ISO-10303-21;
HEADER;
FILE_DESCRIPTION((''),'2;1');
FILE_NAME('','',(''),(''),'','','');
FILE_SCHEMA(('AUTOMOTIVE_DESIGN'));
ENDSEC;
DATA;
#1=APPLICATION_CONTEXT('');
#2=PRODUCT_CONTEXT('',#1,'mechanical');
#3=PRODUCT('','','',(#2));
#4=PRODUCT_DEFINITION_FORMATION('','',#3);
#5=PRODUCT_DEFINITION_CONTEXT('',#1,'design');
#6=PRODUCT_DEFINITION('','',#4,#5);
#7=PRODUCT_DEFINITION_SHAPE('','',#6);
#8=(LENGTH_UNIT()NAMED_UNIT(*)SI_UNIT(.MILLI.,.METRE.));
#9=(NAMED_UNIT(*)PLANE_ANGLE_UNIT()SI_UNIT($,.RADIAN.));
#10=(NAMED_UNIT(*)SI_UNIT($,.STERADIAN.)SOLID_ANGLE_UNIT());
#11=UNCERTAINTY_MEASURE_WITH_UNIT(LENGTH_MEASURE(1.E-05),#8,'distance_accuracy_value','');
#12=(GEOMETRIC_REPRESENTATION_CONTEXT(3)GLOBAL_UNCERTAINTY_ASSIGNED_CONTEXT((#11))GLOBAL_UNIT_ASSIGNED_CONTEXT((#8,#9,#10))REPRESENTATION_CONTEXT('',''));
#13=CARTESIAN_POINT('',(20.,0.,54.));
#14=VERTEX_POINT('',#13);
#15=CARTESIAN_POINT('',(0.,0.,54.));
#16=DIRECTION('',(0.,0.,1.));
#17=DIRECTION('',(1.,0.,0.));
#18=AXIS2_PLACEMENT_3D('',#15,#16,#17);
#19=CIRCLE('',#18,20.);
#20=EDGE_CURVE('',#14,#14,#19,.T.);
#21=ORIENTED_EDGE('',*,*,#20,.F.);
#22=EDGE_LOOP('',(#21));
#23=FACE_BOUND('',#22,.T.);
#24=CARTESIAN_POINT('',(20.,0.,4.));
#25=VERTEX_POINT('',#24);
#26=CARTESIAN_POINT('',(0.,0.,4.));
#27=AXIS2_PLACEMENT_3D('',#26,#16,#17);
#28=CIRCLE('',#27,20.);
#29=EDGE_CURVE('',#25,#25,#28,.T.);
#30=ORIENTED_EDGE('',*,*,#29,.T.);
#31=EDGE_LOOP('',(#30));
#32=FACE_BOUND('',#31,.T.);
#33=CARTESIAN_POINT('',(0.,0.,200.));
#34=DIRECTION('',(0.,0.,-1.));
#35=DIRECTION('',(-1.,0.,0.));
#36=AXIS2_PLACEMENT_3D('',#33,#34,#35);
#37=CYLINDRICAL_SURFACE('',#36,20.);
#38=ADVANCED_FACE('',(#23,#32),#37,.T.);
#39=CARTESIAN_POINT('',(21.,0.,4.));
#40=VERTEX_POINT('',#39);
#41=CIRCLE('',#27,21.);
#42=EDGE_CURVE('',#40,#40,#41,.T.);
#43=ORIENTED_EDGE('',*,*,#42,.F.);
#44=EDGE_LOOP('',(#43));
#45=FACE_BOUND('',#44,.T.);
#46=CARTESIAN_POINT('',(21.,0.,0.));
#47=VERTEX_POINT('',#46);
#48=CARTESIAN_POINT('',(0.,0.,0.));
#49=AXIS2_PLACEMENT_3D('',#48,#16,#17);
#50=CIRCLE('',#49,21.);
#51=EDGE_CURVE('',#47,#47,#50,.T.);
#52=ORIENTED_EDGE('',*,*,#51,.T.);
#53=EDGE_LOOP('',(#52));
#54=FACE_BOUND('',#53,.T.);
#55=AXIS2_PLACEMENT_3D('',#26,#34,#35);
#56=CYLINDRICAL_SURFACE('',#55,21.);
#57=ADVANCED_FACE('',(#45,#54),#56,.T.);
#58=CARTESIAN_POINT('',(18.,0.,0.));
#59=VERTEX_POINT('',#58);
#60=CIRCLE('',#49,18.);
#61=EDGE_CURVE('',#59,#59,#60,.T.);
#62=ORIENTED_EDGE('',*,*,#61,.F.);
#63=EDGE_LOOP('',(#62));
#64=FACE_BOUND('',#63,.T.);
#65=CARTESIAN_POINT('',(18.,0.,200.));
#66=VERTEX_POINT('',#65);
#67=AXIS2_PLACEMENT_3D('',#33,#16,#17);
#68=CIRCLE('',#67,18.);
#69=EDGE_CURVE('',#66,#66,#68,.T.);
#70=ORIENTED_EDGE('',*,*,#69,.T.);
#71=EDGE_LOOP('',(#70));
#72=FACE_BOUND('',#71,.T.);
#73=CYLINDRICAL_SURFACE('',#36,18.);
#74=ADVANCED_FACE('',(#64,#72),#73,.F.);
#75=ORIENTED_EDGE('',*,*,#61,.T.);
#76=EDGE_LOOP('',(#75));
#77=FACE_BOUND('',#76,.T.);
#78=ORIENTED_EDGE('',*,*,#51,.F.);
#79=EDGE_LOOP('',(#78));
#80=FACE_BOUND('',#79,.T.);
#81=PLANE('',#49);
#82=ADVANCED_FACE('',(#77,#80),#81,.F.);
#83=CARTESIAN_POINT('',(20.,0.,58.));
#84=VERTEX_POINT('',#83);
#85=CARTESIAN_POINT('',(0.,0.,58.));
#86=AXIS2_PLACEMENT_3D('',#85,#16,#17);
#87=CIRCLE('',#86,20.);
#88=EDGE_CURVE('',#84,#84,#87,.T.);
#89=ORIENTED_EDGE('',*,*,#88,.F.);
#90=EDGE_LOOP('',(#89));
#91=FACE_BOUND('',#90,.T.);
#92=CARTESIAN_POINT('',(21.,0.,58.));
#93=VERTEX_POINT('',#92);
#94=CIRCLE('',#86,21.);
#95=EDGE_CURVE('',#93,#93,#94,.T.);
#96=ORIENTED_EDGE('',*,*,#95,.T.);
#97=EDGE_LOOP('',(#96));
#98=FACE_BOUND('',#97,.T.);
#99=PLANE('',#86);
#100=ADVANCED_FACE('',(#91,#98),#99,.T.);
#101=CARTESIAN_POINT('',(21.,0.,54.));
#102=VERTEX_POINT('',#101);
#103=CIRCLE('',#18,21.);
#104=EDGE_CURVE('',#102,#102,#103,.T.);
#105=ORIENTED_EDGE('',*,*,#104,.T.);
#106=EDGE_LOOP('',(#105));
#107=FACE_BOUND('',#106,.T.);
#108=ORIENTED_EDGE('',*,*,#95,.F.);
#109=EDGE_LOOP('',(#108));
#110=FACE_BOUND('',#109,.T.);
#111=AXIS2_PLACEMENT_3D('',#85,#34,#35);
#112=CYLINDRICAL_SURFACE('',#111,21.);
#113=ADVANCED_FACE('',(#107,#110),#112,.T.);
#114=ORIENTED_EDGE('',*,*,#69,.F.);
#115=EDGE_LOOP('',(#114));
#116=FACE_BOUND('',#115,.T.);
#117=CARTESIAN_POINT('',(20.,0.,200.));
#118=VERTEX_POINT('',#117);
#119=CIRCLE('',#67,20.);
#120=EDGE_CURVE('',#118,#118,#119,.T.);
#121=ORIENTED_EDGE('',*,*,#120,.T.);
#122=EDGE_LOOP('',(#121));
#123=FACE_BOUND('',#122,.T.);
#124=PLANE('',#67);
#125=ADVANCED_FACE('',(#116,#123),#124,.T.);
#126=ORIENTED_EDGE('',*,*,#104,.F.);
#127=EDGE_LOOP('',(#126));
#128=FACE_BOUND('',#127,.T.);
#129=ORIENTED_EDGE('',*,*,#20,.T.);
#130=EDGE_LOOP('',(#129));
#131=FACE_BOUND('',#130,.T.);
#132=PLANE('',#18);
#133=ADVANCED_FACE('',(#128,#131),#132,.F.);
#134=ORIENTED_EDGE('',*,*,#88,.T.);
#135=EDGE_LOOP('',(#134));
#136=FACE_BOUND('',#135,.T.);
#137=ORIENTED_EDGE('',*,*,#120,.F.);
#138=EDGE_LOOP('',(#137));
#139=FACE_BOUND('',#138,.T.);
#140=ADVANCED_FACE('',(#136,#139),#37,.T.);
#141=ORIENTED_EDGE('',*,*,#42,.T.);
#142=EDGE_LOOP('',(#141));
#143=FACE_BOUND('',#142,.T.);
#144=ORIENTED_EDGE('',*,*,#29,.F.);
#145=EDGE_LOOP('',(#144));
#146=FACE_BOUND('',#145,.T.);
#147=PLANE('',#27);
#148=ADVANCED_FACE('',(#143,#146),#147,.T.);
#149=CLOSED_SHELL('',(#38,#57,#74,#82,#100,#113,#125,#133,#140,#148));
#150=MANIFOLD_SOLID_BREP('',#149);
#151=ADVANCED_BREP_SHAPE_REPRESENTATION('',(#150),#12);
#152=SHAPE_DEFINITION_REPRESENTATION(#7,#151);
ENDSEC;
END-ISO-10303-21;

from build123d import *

# Parameters (mm, degrees)
SKETCH2_R           = 20
SKETCH2_R_2         = 18
BOSS_EXTRUDE1_DEPTH = 200
SKETCH2_3_R         = 21
SKETCH2_3_R_2       = 20
BOSS_EXTRUDE2_DEPTH = 4
BOSS_EXTRUDE3_START = 54
SKETCH2_4_R         = 21
SKETCH2_4_R_2       = 20
BOSS_EXTRUDE3_DEPTH = 4


with BuildPart() as part:
    # Sketch2 → Boss-Extrude1 (new body)
    with BuildSketch(Plane.XY):
        Circle(SKETCH2_R)
        Circle(SKETCH2_R_2, mode=Mode.SUBTRACT)
    extrude(amount=BOSS_EXTRUDE1_DEPTH)

    # Sketch2<3> → Boss-Extrude2 (add)
    with BuildSketch(Plane.XY):
        Circle(SKETCH2_3_R)
        Circle(SKETCH2_3_R_2, mode=Mode.SUBTRACT)
    extrude(amount=BOSS_EXTRUDE2_DEPTH)

    # Sketch2<4> → Boss-Extrude3 (add)
    with BuildSketch(Plane.XY.offset(BOSS_EXTRUDE3_START)):
        Circle(SKETCH2_4_R)
        Circle(SKETCH2_4_R_2, mode=Mode.SUBTRACT)
    extrude(amount=BOSS_EXTRUDE3_DEPTH)


solid = part.part
